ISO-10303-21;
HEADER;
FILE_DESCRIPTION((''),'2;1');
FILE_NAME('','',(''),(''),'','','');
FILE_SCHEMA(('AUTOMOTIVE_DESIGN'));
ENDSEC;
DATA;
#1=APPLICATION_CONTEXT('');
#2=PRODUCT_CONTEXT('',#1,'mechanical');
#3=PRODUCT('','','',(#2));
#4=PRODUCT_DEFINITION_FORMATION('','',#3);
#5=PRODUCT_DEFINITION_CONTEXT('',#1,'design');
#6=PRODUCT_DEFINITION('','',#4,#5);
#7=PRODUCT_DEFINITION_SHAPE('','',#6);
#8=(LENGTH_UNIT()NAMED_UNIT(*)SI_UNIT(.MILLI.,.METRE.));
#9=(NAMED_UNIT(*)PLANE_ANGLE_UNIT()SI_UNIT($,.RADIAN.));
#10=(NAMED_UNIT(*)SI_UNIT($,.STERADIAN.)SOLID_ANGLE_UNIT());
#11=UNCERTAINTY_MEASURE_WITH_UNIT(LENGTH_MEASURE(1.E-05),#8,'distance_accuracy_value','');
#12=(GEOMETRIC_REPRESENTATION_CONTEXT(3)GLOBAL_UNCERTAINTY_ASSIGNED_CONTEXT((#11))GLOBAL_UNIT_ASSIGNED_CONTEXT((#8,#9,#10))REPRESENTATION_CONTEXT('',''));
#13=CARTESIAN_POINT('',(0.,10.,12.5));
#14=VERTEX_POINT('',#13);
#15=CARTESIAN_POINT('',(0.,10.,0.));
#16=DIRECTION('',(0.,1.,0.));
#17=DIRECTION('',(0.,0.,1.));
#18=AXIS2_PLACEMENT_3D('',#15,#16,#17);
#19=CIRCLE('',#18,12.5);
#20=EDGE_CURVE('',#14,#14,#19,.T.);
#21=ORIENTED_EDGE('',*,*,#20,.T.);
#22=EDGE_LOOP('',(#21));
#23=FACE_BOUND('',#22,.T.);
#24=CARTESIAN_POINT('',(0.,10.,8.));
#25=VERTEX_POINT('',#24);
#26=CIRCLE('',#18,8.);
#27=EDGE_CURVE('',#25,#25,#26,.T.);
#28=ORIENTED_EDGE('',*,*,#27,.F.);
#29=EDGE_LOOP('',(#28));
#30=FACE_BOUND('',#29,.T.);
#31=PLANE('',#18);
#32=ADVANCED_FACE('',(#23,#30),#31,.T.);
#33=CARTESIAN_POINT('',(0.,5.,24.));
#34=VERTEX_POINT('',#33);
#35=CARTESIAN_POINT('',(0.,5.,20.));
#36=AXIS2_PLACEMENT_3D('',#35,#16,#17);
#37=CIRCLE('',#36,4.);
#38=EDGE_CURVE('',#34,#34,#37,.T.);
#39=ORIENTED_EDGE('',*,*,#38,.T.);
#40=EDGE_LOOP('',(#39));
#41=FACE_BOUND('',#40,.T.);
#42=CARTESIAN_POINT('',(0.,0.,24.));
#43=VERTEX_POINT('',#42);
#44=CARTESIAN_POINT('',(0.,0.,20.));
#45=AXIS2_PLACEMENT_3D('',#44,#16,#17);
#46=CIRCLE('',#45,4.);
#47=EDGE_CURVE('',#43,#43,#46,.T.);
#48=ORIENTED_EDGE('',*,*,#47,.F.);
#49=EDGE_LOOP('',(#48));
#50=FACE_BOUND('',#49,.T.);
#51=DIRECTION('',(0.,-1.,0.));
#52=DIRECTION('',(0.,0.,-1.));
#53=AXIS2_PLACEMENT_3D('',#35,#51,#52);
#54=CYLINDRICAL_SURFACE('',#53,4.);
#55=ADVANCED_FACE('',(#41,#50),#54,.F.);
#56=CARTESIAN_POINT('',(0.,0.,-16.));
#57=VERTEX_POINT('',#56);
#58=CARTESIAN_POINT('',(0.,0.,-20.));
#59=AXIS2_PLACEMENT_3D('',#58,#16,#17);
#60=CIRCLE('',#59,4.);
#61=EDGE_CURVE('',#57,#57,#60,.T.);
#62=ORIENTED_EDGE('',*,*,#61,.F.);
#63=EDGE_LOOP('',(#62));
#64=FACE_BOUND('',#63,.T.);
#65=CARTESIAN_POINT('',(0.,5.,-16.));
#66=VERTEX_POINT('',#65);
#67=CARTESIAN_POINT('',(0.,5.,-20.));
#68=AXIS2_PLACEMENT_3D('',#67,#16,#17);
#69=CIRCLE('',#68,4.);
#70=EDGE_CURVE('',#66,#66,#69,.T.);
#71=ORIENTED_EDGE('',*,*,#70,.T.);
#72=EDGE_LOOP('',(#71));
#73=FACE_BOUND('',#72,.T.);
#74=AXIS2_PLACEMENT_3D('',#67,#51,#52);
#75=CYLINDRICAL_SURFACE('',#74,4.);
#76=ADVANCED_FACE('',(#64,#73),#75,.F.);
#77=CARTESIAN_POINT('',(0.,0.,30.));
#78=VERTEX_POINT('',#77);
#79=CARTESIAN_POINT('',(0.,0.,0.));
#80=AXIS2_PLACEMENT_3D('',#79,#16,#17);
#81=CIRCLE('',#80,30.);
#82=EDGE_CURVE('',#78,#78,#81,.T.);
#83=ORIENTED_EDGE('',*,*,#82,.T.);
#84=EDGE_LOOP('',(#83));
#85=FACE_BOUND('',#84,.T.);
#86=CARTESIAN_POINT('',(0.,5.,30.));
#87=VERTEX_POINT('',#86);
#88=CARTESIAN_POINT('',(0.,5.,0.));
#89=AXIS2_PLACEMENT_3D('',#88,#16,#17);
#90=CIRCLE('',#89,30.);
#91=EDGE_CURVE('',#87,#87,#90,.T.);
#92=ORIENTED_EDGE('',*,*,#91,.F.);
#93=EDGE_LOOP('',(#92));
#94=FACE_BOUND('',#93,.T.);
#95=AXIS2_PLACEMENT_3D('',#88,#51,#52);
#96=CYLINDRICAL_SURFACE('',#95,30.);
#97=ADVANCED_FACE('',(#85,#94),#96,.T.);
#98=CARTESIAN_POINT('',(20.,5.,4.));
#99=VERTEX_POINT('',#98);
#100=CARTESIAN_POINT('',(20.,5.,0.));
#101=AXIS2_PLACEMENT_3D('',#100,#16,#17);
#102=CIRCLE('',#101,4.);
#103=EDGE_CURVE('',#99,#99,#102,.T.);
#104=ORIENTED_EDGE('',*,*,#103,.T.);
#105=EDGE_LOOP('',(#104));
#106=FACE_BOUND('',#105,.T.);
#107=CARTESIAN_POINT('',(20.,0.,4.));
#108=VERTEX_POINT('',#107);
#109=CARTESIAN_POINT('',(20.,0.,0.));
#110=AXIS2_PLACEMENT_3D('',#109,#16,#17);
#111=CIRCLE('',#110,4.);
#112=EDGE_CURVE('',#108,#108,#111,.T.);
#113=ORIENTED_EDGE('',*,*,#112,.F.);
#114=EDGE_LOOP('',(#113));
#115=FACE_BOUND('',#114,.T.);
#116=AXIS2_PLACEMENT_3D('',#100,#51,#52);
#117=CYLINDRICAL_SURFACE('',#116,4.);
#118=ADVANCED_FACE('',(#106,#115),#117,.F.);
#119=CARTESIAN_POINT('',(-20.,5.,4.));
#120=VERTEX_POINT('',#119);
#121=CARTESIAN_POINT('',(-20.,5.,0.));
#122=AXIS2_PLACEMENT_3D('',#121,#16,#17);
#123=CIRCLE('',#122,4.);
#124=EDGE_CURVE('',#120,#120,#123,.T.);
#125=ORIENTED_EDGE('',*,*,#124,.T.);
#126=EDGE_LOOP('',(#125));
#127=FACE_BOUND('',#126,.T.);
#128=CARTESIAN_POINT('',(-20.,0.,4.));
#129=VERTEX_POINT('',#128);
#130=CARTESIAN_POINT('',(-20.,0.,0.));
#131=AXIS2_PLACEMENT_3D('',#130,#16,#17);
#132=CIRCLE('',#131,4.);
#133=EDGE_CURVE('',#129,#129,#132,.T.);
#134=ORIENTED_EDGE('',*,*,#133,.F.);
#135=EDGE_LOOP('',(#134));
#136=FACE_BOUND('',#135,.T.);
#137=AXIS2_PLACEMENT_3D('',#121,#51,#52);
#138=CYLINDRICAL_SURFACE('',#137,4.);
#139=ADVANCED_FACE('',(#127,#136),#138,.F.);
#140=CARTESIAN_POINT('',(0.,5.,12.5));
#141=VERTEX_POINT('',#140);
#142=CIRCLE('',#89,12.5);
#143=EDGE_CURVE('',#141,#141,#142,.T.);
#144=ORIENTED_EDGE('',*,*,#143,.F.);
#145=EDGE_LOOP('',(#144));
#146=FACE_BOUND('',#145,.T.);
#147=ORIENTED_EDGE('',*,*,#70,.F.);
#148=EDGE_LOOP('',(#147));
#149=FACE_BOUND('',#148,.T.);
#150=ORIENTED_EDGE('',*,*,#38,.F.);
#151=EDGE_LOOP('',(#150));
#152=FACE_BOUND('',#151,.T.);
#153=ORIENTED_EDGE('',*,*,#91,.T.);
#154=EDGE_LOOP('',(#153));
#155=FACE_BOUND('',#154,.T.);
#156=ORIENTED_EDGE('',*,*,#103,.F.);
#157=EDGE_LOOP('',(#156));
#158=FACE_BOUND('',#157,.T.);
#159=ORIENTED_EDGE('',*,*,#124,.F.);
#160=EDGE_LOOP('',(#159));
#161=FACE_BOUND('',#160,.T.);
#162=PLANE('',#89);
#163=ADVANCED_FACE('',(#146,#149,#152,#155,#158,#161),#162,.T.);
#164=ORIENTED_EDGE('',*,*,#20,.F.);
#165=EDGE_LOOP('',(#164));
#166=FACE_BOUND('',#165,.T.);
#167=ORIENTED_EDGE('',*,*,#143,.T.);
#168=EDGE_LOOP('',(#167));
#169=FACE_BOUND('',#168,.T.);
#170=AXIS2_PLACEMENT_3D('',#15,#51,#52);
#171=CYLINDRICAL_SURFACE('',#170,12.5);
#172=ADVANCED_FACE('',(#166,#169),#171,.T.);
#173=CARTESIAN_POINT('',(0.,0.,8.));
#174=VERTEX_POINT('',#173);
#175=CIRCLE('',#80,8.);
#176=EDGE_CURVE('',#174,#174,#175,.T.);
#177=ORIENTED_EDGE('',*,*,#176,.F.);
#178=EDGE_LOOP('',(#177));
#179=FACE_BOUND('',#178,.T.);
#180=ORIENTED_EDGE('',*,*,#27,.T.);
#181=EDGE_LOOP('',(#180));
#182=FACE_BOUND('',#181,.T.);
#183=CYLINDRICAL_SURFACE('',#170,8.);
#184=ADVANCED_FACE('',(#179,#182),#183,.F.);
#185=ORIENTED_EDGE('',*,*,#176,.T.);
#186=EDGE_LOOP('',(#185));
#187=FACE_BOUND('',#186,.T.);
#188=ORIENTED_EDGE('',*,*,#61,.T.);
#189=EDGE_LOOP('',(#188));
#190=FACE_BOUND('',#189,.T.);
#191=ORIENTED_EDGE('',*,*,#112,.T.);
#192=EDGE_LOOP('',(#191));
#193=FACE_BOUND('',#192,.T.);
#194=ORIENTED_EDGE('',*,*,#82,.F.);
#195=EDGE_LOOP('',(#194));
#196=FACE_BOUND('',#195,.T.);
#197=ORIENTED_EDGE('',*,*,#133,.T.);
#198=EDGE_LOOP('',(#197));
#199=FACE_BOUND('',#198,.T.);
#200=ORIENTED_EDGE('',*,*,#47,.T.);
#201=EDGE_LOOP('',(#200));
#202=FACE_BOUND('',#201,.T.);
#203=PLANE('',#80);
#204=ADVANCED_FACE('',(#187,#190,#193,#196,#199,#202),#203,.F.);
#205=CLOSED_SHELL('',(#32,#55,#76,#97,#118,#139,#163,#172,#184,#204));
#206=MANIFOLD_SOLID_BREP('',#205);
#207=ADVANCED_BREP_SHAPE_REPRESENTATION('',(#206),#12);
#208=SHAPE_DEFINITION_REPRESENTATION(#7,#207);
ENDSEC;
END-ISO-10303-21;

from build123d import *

# Parameters (mm, degrees)
SKETCH1_R           = 30
SKETCH1_R_2         = 4
SKETCH1_R_3         = 12.5
BOSS_EXTRUDE1_DEPTH = 5
SKETCH1_6_R         = 12.5
SKETCH1_6_R_2       = 8
BOSS_EXTRUDE2_DEPTH = 10


with BuildPart() as part:
    # Sketch1 → Boss-Extrude1 (new body)
    with BuildSketch(Plane(origin=(0, 0, 0), x_dir=(1, 0, 0), z_dir=(0, 1, 0))):
        Circle(SKETCH1_R)
        with Locations((0, 20)):
            Circle(SKETCH1_R_2, mode=Mode.SUBTRACT)
        with Locations((20, 0)):
            Circle(SKETCH1_R_2, mode=Mode.SUBTRACT)
        with Locations((0, -20)):
            Circle(SKETCH1_R_2, mode=Mode.SUBTRACT)
        with Locations((-20, 0)):
            Circle(SKETCH1_R_2, mode=Mode.SUBTRACT)
        Circle(SKETCH1_R_3, mode=Mode.SUBTRACT)
    extrude(amount=BOSS_EXTRUDE1_DEPTH)

    # Sketch1<6> → Boss-Extrude2 (add)
    with BuildSketch(Plane(origin=(0, 0, 0), x_dir=(1, 0, 0), z_dir=(0, 1, 0))):
        Circle(SKETCH1_6_R)
        Circle(SKETCH1_6_R_2, mode=Mode.SUBTRACT)
    extrude(amount=BOSS_EXTRUDE2_DEPTH)


solid = part.part
